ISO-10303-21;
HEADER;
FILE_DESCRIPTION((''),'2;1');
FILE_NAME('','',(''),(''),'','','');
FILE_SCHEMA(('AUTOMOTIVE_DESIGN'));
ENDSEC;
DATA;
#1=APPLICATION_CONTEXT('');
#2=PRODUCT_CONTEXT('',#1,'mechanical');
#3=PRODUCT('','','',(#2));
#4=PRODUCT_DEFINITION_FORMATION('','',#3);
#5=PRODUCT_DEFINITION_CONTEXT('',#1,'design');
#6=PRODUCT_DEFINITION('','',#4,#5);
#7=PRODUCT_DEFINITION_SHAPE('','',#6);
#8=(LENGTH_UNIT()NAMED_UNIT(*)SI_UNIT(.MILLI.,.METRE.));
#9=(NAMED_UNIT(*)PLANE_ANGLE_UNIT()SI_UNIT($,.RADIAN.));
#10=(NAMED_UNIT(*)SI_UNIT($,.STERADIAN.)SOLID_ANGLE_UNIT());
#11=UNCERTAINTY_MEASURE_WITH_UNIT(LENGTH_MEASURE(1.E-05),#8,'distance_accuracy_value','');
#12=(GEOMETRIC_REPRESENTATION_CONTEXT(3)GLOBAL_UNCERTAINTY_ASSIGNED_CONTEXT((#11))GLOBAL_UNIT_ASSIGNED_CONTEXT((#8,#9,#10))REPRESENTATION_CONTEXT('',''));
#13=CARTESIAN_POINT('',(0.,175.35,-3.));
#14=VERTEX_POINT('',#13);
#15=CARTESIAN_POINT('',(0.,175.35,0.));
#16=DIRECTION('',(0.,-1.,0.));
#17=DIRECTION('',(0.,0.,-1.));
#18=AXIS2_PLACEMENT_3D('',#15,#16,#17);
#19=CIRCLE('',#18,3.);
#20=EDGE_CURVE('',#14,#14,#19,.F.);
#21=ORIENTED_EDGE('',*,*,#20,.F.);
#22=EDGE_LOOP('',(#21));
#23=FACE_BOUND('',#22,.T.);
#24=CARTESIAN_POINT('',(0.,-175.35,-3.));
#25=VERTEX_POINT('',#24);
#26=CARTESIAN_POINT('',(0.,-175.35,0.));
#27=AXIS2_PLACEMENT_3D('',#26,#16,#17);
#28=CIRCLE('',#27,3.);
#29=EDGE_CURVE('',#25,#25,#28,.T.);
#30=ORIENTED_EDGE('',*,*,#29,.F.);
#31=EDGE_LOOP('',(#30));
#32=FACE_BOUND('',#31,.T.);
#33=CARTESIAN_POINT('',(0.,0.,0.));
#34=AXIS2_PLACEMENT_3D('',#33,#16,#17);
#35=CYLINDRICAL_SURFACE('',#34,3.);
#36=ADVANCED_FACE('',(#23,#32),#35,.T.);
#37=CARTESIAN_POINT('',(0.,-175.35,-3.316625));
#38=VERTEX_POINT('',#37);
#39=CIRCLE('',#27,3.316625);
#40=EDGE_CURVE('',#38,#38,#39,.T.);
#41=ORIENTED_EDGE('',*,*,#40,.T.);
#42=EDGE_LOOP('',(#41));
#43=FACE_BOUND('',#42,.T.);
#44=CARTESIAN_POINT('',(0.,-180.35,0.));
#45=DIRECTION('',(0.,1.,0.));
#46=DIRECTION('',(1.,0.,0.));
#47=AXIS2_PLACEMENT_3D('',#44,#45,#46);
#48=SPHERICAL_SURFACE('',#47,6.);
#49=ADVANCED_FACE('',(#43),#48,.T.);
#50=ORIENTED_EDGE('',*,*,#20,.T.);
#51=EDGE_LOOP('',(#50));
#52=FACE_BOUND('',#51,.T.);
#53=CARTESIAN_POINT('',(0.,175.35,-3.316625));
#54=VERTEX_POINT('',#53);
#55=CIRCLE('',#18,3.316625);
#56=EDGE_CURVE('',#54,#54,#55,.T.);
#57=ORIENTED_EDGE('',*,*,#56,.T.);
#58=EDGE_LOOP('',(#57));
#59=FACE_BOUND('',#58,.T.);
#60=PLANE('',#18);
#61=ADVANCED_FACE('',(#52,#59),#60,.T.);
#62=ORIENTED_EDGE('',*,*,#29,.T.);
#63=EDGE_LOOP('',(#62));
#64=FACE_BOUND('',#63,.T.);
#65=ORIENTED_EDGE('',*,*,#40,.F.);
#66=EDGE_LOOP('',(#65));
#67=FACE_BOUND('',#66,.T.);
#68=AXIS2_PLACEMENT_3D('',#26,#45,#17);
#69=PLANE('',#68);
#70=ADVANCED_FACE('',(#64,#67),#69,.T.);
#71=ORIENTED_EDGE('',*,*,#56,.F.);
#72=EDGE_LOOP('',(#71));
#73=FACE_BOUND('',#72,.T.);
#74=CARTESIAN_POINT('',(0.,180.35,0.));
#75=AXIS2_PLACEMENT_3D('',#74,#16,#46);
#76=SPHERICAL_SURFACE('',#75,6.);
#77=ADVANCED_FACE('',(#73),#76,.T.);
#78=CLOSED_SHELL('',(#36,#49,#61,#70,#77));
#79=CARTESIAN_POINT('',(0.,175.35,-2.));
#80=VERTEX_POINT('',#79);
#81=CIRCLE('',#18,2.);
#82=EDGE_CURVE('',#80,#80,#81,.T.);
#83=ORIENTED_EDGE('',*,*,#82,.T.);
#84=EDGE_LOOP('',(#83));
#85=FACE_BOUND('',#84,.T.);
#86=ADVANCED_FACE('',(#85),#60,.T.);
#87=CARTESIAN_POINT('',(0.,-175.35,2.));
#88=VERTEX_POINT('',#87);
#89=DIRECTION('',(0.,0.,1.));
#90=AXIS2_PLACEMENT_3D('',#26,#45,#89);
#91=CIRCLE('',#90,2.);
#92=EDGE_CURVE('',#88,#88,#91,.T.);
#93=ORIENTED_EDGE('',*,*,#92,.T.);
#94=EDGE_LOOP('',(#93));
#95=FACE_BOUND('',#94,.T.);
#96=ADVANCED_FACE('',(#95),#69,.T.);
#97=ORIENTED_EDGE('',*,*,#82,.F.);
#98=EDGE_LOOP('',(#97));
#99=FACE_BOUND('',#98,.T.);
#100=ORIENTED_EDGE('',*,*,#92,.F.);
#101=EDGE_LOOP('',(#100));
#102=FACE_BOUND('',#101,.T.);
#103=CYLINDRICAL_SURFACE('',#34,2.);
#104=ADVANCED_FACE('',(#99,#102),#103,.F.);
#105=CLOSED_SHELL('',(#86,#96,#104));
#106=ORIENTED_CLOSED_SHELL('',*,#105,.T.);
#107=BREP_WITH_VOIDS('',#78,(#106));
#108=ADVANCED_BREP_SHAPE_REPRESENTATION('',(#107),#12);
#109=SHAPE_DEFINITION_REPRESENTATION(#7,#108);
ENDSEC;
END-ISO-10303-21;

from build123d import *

# Parameters (mm, degrees)
SKETCH_1_W = 1
SKETCH_1_H = 350.7


with BuildPart() as part:
    # Эскиз1 → Повернуть1 (revolve)
    with BuildSketch(Plane.XY, mode=Mode.PRIVATE) as revolve_1_sk:
        with Locations((2.5, 0)):
            Rectangle(SKETCH_1_W, SKETCH_1_H)
    revolve(revolve_1_sk.sketch.rotate(Axis((0, 0, 0), (0, 1, 0)), 90), axis=Axis((0, 0, 0), (0, 1, 0)))

    # Эскиз2 → Повернуть5 (revolve)
    with BuildSketch(Plane.XY):
        with BuildLine():
            Line((0, 175.35), (0, 186.35))
            ThreePointArc((0, 186.35), (5.744562647, 182.082050808), (3.31662479, 175.35))
            Line((3.31662479, 175.35), (0, 175.35))
        make_face()
    revolve_5 = revolve(axis=Axis((0, 175.35, 0), (0, 1, 0)))

    # Зеркальное отражение1: Повернуть5 across plane
    add(revolve_5.mirror(Plane.ZX))


solid = part.part
